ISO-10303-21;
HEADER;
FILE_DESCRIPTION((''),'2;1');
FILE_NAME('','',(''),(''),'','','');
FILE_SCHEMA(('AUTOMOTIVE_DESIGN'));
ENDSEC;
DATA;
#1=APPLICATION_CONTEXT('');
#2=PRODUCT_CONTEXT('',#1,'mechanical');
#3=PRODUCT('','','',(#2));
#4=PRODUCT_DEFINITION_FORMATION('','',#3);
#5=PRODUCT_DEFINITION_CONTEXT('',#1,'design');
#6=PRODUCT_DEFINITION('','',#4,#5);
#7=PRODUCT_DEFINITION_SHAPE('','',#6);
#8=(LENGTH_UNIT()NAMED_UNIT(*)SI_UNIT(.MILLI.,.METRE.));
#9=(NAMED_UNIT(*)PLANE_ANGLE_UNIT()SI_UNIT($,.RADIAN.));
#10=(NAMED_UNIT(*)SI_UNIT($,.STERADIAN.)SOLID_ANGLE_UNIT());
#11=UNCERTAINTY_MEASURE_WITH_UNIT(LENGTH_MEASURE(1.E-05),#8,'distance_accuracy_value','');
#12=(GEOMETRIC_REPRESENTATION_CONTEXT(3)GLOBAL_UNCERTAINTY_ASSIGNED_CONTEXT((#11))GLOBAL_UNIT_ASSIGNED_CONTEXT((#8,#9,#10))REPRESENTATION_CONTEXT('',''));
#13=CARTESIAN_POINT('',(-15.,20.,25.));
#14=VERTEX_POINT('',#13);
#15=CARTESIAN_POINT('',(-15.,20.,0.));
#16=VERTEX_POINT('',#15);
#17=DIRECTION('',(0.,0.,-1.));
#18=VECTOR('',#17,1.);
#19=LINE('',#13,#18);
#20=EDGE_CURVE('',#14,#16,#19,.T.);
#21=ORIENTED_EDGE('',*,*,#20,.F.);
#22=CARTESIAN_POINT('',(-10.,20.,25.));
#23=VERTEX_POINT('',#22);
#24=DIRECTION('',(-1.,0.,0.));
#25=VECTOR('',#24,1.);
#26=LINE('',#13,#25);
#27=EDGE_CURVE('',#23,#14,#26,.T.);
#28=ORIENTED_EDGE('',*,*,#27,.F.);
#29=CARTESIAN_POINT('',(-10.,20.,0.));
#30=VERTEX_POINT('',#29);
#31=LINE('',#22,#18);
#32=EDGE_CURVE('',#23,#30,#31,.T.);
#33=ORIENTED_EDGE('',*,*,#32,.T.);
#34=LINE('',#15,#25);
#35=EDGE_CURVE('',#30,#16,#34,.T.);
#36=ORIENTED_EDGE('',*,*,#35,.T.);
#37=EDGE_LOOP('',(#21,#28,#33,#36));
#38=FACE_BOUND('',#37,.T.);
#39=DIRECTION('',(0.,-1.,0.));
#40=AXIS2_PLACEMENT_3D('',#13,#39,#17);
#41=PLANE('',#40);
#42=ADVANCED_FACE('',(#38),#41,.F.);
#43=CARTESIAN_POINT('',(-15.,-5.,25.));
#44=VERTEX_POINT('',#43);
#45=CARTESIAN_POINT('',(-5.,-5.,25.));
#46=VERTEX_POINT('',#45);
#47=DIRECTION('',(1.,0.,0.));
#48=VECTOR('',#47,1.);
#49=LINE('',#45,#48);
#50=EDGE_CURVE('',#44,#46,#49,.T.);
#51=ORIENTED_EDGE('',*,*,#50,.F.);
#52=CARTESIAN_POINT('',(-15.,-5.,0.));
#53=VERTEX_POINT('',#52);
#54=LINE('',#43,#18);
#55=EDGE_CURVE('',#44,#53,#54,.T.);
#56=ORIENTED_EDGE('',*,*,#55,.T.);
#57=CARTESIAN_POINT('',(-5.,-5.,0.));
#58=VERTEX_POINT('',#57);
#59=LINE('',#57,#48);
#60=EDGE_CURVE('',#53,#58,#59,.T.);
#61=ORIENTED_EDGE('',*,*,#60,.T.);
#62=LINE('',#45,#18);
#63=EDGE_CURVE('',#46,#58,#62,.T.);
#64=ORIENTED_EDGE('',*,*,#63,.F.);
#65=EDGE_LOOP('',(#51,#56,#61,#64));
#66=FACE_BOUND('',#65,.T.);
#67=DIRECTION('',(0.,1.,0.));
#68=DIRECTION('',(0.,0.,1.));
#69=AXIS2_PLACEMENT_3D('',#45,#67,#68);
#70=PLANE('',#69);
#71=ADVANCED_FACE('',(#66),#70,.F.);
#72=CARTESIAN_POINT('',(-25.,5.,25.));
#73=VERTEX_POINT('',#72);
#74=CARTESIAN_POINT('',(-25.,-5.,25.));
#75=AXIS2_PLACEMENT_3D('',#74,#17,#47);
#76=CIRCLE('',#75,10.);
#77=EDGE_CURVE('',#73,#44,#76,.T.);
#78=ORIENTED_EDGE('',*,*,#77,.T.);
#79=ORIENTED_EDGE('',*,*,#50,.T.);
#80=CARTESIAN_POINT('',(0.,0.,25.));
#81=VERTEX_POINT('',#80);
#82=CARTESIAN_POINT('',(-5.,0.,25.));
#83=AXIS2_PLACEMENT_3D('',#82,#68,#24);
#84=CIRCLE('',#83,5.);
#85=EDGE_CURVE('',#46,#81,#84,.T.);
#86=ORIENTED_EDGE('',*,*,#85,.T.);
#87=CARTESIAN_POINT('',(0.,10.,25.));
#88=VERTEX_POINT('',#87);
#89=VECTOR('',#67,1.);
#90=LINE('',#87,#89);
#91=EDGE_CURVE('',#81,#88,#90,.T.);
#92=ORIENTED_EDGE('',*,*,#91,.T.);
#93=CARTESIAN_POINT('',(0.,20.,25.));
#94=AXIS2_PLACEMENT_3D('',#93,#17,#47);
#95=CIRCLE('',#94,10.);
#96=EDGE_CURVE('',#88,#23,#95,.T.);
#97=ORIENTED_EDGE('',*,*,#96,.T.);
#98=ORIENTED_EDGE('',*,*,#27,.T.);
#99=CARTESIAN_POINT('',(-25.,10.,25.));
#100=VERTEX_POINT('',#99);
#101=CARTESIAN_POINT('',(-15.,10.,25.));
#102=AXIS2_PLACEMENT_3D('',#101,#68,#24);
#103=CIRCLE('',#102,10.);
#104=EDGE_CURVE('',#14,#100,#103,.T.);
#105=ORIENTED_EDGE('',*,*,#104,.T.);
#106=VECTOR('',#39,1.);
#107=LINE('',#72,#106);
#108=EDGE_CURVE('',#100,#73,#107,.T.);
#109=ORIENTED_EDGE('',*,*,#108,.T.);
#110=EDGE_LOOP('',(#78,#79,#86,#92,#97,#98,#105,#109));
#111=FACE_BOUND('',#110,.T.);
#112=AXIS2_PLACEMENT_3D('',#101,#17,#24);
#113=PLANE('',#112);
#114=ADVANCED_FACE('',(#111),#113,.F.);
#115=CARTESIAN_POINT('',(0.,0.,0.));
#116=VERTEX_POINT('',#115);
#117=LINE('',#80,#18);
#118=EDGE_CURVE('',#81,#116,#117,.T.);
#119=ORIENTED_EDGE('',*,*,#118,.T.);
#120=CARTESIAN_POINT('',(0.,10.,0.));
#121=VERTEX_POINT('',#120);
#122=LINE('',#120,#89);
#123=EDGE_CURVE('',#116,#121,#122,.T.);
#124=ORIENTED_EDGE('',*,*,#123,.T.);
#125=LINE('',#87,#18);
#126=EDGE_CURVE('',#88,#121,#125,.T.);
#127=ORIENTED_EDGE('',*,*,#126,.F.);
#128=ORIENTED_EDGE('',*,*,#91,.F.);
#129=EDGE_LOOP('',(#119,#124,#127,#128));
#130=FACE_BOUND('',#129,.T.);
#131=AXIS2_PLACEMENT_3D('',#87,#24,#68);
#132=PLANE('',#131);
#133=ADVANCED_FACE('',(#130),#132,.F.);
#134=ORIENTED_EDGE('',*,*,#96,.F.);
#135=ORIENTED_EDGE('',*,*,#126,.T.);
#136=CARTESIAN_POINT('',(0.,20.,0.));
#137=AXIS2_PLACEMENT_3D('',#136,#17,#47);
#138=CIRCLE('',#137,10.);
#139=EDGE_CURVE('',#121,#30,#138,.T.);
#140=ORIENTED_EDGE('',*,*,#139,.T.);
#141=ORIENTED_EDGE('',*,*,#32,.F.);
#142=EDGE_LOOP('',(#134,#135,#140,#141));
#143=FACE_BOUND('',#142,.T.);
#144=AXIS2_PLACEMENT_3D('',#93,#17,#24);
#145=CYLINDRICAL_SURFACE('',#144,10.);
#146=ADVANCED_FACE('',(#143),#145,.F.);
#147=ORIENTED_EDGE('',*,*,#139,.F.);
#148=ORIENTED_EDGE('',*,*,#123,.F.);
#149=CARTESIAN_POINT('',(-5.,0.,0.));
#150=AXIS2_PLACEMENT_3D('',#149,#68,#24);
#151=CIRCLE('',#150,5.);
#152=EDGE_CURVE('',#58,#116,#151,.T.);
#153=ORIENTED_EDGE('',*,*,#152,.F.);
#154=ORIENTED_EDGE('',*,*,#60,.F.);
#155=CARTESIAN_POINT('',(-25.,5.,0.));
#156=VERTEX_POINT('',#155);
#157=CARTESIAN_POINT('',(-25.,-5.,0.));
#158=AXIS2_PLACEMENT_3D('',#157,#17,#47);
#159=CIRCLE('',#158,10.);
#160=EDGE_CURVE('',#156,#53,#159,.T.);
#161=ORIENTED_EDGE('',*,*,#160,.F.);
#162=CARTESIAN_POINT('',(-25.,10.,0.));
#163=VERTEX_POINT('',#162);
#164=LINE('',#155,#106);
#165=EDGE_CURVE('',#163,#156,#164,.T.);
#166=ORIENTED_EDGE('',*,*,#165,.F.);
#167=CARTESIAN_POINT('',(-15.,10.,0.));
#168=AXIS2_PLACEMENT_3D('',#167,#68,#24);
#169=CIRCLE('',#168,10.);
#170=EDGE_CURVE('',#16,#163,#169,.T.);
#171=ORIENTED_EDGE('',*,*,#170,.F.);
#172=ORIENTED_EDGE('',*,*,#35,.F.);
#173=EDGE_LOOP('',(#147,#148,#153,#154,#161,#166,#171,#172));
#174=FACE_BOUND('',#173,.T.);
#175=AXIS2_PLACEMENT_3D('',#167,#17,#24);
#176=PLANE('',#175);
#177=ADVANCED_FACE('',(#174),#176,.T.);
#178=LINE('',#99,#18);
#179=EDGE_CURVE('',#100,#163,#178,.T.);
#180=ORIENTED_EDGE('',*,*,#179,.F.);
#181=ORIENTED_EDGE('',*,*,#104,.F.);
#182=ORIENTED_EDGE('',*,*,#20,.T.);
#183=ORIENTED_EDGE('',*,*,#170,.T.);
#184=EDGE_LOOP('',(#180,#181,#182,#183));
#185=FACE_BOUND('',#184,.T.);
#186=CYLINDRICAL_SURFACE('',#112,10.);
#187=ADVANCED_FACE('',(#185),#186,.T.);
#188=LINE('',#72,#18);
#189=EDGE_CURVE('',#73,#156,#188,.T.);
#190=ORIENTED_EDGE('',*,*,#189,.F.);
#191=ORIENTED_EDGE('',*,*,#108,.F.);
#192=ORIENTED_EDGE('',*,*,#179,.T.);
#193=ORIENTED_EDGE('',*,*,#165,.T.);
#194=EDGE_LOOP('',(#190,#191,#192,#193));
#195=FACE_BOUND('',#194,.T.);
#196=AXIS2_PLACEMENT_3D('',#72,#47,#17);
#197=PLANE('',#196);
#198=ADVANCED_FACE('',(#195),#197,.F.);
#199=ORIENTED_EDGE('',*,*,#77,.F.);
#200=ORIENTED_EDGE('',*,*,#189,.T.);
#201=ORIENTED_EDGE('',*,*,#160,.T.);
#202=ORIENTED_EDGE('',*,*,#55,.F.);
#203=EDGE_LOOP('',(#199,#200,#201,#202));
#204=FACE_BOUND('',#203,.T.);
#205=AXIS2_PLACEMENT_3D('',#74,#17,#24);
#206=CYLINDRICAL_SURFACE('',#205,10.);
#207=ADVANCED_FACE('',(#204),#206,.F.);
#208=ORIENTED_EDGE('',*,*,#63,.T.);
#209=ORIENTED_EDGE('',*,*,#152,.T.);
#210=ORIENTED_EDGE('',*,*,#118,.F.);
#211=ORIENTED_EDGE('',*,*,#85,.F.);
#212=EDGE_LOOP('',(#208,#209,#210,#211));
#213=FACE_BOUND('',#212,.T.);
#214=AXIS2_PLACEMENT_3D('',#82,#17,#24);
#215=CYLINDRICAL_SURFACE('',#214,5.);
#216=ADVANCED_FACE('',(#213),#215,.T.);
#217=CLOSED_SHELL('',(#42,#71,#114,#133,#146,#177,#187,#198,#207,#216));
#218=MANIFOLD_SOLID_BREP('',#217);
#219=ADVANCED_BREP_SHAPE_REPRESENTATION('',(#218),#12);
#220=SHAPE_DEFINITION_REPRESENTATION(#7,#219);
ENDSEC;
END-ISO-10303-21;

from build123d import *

# Parameters (mm, degrees)
BOSS_EXTRUDE1_DEPTH = 25


with BuildPart() as part:
    # Sketch1 → Boss-Extrude1 (new body)
    with BuildSketch(Plane.XY):
        with BuildLine():
            Line((-15, 20), (-10, 20))
            ThreePointArc((-10, 20), (-7.071067812, 12.928932188), (0, 10))
            Line((0, 10), (0, 0))
            ThreePointArc((0, 0), (-1.464466094, -3.535533906), (-5, -5))
            Line((-5, -5), (-15, -5))
            ThreePointArc((-15, -5), (-17.928932188, 2.071067812), (-25, 5))
            Line((-25, 5), (-25, 10))
            ThreePointArc((-25, 10), (-22.071067812, 17.071067812), (-15, 20))
        make_face()
    extrude(amount=BOSS_EXTRUDE1_DEPTH)


solid = part.part
